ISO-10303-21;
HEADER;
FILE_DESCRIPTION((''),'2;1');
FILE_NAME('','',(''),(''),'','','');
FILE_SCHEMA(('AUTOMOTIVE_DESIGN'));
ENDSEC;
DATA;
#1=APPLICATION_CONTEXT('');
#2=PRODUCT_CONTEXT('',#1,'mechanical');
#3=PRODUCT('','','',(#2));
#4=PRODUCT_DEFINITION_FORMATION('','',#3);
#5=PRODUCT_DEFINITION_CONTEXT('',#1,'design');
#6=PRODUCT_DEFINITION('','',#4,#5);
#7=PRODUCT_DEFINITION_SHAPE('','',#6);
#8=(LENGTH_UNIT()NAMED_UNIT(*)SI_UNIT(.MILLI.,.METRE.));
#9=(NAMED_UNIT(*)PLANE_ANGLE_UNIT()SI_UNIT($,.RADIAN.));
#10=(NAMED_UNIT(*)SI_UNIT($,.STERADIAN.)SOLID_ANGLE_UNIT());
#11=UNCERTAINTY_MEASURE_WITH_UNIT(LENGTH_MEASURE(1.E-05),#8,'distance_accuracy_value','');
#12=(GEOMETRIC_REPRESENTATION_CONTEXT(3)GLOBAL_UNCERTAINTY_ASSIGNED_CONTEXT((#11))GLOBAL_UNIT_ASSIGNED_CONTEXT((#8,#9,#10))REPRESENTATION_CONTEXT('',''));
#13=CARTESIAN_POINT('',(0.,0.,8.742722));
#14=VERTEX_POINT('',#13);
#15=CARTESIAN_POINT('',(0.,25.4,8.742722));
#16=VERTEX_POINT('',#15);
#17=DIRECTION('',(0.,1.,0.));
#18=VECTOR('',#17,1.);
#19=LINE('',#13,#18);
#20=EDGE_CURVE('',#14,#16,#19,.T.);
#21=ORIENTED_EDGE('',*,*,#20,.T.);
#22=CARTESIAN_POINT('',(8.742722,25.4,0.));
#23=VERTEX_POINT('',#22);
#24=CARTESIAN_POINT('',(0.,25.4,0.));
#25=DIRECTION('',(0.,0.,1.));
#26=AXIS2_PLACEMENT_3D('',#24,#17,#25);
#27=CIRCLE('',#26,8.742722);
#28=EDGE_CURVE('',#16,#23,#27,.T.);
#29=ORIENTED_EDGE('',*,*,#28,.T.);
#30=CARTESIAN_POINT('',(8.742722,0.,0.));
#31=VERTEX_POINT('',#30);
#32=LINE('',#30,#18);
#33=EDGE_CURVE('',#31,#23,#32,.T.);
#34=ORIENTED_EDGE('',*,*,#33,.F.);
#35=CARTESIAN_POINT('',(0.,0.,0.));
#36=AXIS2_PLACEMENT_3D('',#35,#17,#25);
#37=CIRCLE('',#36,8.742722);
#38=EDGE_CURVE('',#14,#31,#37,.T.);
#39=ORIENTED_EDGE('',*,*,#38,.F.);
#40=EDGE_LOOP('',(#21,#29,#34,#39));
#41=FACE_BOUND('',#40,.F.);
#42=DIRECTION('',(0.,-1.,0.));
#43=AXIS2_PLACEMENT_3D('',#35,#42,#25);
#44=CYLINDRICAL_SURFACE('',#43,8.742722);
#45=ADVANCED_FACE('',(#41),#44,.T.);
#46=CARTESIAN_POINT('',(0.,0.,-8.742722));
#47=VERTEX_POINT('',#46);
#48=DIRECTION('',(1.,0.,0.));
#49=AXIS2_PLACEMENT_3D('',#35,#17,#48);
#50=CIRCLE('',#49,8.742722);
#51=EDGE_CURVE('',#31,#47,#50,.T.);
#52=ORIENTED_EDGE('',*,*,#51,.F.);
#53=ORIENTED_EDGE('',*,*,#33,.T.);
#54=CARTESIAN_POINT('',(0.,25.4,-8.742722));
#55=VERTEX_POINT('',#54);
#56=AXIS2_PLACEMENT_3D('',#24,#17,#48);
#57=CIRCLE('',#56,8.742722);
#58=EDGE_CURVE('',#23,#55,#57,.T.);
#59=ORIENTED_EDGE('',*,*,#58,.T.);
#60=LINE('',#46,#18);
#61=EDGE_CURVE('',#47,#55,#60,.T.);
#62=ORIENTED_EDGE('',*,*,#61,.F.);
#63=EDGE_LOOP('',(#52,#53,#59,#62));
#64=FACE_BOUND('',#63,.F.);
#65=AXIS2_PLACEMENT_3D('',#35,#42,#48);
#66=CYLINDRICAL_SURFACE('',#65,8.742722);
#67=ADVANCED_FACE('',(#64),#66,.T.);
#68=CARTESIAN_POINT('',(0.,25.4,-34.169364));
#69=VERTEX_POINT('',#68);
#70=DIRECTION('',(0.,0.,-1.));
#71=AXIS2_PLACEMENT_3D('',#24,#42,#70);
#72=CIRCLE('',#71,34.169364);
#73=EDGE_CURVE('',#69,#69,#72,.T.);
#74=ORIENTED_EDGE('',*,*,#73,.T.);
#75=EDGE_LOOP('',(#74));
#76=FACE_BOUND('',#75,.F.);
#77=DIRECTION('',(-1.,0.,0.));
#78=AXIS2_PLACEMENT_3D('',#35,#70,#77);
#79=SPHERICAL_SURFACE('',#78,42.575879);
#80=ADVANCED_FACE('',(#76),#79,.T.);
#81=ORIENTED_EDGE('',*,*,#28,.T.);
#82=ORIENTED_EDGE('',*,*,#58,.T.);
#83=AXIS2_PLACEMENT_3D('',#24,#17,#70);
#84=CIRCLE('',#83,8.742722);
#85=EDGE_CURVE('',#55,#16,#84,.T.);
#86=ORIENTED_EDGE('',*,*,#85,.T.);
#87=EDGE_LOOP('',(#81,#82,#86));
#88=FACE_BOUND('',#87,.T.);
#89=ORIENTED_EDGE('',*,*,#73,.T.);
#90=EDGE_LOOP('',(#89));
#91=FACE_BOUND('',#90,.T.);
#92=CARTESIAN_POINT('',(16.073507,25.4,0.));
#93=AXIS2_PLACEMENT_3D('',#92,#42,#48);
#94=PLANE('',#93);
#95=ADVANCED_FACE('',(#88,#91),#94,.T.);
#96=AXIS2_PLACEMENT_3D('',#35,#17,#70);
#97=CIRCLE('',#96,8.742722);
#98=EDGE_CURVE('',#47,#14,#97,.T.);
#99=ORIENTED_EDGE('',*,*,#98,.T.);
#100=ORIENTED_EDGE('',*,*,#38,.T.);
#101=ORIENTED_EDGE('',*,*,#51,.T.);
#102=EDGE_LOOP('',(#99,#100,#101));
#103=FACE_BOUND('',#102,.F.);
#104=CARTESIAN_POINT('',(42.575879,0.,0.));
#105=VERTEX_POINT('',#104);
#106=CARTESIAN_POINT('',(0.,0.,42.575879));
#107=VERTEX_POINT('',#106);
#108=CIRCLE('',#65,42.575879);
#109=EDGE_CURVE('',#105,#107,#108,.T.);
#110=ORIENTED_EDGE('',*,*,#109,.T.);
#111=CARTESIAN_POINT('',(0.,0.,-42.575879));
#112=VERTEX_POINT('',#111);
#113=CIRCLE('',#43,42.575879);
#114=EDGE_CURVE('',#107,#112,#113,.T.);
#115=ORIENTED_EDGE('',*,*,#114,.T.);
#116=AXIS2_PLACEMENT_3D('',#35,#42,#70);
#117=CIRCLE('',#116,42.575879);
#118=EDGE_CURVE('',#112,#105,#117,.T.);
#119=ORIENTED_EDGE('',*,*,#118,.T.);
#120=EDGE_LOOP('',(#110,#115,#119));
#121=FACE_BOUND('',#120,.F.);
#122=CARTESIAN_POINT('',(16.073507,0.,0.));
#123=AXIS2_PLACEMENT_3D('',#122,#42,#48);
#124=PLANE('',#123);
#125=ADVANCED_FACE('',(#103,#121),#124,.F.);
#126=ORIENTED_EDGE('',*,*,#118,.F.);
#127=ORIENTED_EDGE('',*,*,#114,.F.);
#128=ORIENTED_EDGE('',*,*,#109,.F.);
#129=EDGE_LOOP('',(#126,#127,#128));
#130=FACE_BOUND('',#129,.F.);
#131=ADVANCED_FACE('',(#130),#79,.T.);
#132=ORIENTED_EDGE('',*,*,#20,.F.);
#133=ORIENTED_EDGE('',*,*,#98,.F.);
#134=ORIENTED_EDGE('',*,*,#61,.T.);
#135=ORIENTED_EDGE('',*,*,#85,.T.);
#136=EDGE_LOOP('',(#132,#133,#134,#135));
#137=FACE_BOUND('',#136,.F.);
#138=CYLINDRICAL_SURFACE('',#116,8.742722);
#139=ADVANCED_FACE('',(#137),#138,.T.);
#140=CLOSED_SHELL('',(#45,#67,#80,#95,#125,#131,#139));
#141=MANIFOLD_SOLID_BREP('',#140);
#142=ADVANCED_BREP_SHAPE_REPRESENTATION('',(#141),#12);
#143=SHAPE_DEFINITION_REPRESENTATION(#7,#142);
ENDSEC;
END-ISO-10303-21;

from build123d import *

# Parameters (mm, degrees)
F2_DEPTH = 25.4


with BuildPart() as f1:
    # F0 (on Front) → F1 (revolve)
    with BuildSketch(Plane.XZ):
        with BuildLine():
            ThreePointArc((0, 8.7427215788), (-8.7427215788, 0), (0, -8.7427215788))
            Line((0, -8.7427215788), (0, 0))
            Line((0, 0), (0, 8.7427215788))
        make_face()
        with BuildLine():
            Line((0, 40.5132286251), (0, 42.575878625))
            ThreePointArc((0, 42.575878625), (-42.575878625, 0), (0, -42.575878625))
            Line((0, -42.575878625), (0, -8.7427215788))
            ThreePointArc((0, -8.7427215788), (-8.7427215788, 0), (0, 8.7427215788))
            Line((0, 8.7427215788), (0, 40.5132286251))
        make_face()
    revolve(axis=Axis((0, 0, 20.2566143125), (0, 0, 1)))

    # F0 (on Front) → F2 (cut)
    with BuildSketch(Plane.XZ):
        with BuildLine():
            ThreePointArc((0, -42.575878625), (30.1056924907, -30.1056924907), (42.575878625, 0))
            ThreePointArc((42.575878625, 0), (30.1056924907, 30.1056924907), (0, 42.575878625))
            Line((0, 42.575878625), (0, 40.5132286251))
            Line((0, 40.5132286251), (0, 8.7427215788))
            ThreePointArc((0, 8.7427215788), (6.1820377144, 6.1820377144), (8.7427215788, 0))
            ThreePointArc((8.7427215788, 0), (6.1820377144, -6.1820377144), (0, -8.7427215788))
            Line((0, -8.7427215788), (0, -42.575878625))
        make_face()
        with BuildLine():
            Line((0, 40.5132286251), (0, 42.575878625))
            ThreePointArc((0, 42.575878625), (-42.575878625, 0), (0, -42.575878625))
            Line((0, -42.575878625), (0, -8.7427215788))
            ThreePointArc((0, -8.7427215788), (-8.7427215788, 0), (0, 8.7427215788))
            Line((0, 8.7427215788), (0, 40.5132286251))
        make_face()
    extrude(amount=-F2_DEPTH, mode=Mode.SUBTRACT)


solid = f1.part
